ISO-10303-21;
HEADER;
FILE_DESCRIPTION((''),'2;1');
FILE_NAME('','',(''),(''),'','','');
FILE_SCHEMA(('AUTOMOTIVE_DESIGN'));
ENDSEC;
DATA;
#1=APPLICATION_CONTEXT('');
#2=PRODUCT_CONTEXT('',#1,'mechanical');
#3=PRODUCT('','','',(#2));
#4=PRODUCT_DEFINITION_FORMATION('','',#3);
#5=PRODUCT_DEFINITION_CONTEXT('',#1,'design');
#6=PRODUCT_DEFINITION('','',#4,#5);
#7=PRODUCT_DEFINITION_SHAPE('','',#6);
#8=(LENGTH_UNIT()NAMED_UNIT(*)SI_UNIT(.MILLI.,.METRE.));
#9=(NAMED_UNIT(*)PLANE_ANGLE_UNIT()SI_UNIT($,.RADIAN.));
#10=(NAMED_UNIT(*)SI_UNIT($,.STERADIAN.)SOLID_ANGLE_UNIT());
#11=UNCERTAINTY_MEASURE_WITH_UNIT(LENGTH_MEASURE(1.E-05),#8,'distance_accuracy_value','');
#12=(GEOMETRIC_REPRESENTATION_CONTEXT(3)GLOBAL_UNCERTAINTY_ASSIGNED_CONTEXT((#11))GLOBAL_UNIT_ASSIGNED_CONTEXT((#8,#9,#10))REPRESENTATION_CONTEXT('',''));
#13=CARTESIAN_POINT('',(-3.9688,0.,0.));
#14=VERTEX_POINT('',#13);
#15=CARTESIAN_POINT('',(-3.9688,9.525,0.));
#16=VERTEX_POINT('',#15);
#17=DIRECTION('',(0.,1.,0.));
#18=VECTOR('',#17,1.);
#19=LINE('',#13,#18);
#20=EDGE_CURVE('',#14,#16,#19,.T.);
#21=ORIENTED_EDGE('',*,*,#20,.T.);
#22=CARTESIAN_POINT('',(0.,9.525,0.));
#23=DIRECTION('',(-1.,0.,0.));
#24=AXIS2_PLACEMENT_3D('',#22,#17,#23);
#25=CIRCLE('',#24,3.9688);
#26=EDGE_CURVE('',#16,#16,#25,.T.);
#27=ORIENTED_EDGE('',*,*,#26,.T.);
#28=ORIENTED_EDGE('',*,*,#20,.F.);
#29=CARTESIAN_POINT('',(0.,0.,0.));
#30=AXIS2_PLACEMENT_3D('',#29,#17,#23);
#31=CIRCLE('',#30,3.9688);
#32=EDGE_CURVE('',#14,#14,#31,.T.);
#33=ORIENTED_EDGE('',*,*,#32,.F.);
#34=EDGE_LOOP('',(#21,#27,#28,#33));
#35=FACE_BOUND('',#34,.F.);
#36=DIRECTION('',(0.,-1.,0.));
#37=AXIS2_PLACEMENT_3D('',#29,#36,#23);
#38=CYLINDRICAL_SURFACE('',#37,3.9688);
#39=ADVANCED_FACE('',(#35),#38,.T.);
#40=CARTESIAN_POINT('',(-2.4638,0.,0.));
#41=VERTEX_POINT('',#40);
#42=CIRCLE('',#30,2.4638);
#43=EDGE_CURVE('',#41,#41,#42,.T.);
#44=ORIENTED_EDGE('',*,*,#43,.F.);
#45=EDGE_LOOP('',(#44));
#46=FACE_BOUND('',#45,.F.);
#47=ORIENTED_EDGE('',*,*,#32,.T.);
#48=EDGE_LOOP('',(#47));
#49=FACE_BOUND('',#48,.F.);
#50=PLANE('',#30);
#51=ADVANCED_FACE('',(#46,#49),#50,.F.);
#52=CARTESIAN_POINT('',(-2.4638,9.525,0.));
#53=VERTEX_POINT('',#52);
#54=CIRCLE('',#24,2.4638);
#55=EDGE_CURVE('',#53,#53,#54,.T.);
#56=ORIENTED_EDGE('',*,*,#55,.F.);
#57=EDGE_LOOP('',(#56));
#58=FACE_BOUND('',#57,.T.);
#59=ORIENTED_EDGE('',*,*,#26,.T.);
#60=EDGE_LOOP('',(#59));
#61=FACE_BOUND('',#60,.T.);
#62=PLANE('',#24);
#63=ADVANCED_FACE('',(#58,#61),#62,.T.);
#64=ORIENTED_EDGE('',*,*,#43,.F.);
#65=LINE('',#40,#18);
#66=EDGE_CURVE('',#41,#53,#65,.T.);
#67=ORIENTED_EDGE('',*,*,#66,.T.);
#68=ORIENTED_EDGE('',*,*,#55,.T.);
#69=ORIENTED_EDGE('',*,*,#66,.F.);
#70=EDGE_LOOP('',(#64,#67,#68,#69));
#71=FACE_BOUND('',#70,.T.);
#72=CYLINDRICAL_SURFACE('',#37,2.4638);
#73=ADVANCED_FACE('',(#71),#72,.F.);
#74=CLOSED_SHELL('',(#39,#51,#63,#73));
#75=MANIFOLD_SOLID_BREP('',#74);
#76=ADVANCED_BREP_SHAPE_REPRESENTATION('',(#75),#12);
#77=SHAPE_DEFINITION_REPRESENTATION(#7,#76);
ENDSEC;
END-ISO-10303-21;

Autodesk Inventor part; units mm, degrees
ref_plane "YZ Plane" through (0, 0, 0) normal (1, 0, 0) x (0, 1, 0)
ref_plane "XZ Plane" through (0, 0, 0) normal (0, 1, 0) x (-1, 0, 0)
ref_plane "XY Plane" through (0, 0, 0) normal (0, 0, 1) x (1, 0, 0)
sketch "Sketch1" plane through (0, 0, 0) normal (0, 1, 0) x (-1, 0, 0)
  circle A0 centre (0, 0) radius 2.4638
  circle A1 centre (0, 0) radius 3.9688
  dimension "d0" = 4.9276
  dimension "d1" = 7.9375
extrude "Extrusion3" add sketch "Sketch1" along normal blind 9.525
properties part number "Spacer (Nylon), .313''OD, 0.375''" material "ABS Plastic"
